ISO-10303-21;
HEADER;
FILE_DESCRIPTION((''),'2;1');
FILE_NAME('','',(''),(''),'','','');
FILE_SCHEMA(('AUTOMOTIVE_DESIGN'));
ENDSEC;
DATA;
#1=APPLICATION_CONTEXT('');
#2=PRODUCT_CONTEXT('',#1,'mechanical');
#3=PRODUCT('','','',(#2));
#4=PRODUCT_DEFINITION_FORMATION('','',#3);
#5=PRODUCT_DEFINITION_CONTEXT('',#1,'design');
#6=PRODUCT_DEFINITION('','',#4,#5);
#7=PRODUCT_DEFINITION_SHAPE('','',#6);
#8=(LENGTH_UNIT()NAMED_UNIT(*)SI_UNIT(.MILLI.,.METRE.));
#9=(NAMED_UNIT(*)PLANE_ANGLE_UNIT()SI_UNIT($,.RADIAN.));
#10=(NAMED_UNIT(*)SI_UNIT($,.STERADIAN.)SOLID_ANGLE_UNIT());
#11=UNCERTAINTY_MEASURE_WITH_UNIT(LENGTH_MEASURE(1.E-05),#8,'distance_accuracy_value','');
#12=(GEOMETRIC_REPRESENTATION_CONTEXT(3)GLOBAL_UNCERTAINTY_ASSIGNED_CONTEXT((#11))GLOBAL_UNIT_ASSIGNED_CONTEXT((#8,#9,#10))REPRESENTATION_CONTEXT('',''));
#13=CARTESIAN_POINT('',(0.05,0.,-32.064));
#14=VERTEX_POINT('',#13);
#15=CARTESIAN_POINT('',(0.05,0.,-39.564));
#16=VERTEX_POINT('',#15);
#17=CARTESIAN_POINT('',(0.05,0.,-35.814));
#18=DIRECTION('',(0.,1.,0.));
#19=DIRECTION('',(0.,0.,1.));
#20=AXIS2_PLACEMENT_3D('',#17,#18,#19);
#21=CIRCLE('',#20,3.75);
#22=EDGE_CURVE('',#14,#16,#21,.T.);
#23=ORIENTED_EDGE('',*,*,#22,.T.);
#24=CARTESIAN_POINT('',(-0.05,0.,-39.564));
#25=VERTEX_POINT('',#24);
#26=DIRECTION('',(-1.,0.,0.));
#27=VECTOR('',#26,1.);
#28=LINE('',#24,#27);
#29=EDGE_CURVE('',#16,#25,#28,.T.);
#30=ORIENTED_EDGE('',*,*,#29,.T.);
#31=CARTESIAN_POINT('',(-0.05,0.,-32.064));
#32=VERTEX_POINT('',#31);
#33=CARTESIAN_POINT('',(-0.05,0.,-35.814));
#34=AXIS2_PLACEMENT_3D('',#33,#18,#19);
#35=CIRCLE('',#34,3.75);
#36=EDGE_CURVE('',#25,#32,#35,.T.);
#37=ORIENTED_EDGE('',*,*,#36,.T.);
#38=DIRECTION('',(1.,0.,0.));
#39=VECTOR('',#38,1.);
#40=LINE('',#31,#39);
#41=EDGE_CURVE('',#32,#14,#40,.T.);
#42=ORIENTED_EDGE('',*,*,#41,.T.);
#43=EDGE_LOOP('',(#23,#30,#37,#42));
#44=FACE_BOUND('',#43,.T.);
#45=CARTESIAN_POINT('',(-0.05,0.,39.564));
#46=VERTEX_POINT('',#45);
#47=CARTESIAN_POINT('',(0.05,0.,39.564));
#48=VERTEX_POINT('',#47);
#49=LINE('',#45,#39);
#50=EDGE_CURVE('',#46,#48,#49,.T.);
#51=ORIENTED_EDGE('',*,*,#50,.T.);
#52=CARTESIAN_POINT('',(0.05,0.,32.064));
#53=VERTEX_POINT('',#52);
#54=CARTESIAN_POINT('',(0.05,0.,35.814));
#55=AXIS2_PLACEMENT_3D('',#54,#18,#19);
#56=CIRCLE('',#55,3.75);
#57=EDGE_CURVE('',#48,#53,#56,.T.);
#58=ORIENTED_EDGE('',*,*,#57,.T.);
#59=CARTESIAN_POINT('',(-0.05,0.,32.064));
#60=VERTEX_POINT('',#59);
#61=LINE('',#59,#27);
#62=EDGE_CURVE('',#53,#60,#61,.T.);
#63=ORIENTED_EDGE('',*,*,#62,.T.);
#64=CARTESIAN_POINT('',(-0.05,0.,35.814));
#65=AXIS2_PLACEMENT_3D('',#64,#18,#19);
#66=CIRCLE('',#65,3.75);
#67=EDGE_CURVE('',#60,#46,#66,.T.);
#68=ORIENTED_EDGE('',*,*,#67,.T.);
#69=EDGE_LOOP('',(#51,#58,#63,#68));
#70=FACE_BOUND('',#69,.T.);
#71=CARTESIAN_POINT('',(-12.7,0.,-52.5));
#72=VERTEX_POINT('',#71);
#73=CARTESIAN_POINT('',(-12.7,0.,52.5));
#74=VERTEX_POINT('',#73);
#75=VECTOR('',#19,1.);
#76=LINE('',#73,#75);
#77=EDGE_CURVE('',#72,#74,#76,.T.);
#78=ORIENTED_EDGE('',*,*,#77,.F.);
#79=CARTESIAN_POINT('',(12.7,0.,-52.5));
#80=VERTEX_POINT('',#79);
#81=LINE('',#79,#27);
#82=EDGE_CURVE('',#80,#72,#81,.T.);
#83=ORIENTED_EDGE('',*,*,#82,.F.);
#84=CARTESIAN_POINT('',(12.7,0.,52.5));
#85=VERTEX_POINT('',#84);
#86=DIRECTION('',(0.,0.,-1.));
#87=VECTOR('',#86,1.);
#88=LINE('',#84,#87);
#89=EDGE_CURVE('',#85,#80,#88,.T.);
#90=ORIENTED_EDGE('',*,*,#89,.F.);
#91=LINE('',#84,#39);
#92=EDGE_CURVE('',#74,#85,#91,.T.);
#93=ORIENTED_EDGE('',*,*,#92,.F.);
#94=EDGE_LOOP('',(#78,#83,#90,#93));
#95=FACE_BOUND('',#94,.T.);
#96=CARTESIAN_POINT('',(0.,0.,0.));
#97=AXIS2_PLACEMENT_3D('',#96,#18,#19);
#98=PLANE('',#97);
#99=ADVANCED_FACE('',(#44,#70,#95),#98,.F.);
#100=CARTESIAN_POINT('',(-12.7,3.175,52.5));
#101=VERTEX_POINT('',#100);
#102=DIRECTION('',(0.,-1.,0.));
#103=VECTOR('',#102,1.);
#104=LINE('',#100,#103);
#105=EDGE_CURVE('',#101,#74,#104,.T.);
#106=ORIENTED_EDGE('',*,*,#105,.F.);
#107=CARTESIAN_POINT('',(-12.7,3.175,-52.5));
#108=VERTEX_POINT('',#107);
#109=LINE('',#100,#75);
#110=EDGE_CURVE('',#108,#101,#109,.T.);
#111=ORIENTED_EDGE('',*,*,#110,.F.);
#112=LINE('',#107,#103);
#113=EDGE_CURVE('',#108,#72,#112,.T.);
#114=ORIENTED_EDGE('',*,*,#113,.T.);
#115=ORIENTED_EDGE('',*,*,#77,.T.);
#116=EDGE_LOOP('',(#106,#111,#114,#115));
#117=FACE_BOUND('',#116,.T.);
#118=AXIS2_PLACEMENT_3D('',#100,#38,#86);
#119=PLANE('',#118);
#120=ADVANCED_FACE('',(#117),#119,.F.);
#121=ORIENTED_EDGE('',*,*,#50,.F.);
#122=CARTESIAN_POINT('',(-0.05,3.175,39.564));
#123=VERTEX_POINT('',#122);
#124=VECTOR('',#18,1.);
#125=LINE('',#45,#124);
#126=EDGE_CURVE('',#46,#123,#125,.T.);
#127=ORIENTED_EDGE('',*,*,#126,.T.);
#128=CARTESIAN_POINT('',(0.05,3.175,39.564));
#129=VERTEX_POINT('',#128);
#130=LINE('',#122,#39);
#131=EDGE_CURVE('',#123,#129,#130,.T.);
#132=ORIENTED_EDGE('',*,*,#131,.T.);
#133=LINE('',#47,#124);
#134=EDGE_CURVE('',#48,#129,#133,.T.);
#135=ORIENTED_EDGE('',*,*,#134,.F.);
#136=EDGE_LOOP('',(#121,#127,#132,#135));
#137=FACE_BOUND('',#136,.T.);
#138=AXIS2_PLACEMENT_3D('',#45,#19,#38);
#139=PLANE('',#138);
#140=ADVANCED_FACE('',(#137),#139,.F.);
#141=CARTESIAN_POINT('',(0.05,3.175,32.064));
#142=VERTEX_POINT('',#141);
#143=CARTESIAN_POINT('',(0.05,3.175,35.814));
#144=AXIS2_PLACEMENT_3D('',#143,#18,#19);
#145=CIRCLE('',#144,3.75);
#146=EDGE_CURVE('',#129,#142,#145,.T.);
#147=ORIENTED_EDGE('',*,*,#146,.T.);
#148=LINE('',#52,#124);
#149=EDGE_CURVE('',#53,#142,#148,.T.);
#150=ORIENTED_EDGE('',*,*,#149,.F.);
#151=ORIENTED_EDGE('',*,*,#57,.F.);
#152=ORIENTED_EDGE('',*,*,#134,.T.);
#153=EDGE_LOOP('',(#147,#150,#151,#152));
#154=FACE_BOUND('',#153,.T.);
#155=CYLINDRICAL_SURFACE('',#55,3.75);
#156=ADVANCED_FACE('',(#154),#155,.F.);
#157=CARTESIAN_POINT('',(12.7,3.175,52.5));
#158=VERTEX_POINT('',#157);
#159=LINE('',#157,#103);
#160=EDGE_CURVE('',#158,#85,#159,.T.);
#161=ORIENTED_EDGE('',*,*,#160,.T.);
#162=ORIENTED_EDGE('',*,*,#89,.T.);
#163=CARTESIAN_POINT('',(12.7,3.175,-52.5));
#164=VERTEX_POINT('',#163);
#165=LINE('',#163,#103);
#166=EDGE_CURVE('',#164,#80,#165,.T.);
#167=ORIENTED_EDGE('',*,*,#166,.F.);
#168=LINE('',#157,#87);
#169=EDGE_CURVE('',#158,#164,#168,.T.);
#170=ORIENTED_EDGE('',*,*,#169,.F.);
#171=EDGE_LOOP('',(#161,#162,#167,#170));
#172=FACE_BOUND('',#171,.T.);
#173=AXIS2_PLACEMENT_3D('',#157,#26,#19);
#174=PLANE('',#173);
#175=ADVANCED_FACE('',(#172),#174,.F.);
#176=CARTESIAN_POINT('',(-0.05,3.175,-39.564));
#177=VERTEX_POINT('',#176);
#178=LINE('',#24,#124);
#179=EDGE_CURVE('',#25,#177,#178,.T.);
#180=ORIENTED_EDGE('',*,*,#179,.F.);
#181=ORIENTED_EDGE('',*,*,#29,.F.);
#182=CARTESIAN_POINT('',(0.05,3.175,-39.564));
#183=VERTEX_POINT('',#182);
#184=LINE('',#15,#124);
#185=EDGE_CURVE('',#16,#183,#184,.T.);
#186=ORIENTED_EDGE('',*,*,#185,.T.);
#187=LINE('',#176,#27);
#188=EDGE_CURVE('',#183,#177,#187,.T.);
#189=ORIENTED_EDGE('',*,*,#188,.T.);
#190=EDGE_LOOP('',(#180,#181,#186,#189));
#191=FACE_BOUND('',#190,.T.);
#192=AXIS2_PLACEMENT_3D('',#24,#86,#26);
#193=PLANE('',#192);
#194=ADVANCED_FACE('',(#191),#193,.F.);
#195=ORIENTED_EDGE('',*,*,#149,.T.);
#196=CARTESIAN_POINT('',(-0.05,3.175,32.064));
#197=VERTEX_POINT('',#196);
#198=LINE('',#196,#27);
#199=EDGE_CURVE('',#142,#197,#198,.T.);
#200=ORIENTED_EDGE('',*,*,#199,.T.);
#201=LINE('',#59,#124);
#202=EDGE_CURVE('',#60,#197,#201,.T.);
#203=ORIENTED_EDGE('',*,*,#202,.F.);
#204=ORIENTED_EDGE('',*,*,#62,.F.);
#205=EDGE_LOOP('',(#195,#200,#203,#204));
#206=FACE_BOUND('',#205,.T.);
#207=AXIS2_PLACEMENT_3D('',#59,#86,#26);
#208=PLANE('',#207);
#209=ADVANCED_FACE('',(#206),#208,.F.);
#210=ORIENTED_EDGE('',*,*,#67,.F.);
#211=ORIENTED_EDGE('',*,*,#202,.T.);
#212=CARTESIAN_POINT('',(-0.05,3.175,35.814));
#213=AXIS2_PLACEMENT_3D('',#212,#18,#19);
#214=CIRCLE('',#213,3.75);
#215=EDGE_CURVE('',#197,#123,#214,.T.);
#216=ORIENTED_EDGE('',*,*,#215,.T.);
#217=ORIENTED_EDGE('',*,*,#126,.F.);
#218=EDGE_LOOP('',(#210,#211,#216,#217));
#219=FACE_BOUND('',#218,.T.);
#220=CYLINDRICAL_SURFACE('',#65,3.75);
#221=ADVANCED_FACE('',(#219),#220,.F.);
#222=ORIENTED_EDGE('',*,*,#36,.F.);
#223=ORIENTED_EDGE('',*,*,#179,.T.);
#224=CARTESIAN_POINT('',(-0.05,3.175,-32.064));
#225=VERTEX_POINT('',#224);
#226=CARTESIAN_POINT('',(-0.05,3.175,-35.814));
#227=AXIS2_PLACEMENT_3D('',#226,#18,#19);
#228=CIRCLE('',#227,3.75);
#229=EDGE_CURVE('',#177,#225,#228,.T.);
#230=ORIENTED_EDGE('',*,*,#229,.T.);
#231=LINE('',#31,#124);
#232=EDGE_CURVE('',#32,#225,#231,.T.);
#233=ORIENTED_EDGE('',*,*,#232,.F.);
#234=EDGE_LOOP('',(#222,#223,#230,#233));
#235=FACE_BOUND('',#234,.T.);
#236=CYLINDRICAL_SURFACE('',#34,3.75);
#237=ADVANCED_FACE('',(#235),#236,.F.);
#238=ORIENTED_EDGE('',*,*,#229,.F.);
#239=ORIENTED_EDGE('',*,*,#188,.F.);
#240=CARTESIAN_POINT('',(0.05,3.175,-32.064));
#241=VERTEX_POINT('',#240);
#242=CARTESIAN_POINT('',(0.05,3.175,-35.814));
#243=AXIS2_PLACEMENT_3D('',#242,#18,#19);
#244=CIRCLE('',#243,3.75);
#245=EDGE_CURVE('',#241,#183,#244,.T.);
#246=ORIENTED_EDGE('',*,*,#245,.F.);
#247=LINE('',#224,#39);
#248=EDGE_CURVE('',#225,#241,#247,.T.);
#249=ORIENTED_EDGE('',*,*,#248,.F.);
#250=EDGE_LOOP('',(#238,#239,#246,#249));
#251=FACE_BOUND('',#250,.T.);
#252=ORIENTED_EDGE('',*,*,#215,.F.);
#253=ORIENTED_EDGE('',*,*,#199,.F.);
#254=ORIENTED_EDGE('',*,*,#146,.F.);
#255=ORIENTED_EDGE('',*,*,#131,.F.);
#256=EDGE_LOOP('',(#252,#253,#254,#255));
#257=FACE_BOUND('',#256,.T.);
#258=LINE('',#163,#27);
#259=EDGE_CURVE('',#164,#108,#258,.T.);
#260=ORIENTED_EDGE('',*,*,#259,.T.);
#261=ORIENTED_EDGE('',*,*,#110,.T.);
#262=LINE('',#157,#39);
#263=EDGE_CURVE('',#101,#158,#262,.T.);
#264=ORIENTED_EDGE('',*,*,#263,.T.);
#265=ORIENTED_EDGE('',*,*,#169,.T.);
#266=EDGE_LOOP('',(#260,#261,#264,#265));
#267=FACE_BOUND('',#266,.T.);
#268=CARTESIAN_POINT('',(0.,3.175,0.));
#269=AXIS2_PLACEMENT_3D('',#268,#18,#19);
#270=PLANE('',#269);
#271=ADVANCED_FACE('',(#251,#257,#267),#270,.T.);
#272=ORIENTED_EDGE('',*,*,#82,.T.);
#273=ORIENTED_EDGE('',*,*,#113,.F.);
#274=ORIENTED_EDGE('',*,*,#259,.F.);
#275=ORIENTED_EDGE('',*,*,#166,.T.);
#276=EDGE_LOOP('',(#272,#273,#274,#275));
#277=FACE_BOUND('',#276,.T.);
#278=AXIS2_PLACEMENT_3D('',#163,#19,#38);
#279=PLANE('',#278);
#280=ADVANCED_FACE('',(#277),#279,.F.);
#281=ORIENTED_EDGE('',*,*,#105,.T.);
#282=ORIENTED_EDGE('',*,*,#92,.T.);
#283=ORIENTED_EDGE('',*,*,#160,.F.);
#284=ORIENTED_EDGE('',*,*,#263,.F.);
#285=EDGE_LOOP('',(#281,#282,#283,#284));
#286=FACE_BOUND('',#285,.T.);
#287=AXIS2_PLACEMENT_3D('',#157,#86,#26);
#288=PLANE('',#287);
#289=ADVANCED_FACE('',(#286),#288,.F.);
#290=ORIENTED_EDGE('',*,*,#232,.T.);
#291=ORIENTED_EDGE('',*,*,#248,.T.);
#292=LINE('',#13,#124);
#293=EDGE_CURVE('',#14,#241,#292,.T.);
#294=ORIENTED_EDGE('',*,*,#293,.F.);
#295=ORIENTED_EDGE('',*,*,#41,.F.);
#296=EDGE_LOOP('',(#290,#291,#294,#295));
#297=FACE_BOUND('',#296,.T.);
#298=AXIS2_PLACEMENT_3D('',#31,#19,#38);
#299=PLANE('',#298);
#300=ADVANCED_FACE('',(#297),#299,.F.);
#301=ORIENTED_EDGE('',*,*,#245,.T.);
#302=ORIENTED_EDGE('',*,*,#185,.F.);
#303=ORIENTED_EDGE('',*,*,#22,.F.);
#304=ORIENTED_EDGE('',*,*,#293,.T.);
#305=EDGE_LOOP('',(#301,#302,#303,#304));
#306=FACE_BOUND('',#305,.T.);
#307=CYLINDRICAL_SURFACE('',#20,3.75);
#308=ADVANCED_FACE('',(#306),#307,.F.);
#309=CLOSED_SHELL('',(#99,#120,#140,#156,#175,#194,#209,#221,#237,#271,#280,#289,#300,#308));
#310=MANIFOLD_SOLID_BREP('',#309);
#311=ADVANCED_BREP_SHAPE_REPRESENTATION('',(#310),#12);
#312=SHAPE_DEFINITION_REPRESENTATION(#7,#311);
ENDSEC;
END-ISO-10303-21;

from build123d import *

# Parameters (mm, degrees)
SKETCH1_W           = 25.4
SKETCH1_H           = 105
BOSS_EXTRUDE1_DEPTH = 3.175
CUT_EXTRUDE1_DEPTH  = 55.107491394


with BuildPart() as part:
    # Sketch1 → Boss-Extrude1 (new body)
    with BuildSketch(Plane(origin=(0, 0, 0), x_dir=(1, 0, 0), z_dir=(0, 1, 0))):
        Rectangle(SKETCH1_W, SKETCH1_H)
    extrude(amount=BOSS_EXTRUDE1_DEPTH)

    # Sketch2 → Cut-Extrude1 (cut, through all)
    with BuildSketch(Plane(origin=(0, 3.175, 0), x_dir=(1, 0, 0), z_dir=(0, 1, 0))):
        with BuildLine():
            Line((-0.05, 39.564), (0.05, 39.564))
            ThreePointArc((0.05, 39.564), (3.8, 35.814), (0.05, 32.064))
            Line((0.05, 32.064), (-0.05, 32.064))
            ThreePointArc((-0.05, 32.064), (-3.8, 35.814), (-0.05, 39.564))
        make_face()
        with BuildLine():
            Line((-0.05, -32.064), (0.05, -32.064))
            ThreePointArc((0.05, -32.064), (3.8, -35.814), (0.05, -39.564))
            Line((0.05, -39.564), (-0.05, -39.564))
            ThreePointArc((-0.05, -39.564), (-3.8, -35.814), (-0.05, -32.064))
        make_face()
    extrude(amount=-CUT_EXTRUDE1_DEPTH, mode=Mode.SUBTRACT)


solid = part.part
